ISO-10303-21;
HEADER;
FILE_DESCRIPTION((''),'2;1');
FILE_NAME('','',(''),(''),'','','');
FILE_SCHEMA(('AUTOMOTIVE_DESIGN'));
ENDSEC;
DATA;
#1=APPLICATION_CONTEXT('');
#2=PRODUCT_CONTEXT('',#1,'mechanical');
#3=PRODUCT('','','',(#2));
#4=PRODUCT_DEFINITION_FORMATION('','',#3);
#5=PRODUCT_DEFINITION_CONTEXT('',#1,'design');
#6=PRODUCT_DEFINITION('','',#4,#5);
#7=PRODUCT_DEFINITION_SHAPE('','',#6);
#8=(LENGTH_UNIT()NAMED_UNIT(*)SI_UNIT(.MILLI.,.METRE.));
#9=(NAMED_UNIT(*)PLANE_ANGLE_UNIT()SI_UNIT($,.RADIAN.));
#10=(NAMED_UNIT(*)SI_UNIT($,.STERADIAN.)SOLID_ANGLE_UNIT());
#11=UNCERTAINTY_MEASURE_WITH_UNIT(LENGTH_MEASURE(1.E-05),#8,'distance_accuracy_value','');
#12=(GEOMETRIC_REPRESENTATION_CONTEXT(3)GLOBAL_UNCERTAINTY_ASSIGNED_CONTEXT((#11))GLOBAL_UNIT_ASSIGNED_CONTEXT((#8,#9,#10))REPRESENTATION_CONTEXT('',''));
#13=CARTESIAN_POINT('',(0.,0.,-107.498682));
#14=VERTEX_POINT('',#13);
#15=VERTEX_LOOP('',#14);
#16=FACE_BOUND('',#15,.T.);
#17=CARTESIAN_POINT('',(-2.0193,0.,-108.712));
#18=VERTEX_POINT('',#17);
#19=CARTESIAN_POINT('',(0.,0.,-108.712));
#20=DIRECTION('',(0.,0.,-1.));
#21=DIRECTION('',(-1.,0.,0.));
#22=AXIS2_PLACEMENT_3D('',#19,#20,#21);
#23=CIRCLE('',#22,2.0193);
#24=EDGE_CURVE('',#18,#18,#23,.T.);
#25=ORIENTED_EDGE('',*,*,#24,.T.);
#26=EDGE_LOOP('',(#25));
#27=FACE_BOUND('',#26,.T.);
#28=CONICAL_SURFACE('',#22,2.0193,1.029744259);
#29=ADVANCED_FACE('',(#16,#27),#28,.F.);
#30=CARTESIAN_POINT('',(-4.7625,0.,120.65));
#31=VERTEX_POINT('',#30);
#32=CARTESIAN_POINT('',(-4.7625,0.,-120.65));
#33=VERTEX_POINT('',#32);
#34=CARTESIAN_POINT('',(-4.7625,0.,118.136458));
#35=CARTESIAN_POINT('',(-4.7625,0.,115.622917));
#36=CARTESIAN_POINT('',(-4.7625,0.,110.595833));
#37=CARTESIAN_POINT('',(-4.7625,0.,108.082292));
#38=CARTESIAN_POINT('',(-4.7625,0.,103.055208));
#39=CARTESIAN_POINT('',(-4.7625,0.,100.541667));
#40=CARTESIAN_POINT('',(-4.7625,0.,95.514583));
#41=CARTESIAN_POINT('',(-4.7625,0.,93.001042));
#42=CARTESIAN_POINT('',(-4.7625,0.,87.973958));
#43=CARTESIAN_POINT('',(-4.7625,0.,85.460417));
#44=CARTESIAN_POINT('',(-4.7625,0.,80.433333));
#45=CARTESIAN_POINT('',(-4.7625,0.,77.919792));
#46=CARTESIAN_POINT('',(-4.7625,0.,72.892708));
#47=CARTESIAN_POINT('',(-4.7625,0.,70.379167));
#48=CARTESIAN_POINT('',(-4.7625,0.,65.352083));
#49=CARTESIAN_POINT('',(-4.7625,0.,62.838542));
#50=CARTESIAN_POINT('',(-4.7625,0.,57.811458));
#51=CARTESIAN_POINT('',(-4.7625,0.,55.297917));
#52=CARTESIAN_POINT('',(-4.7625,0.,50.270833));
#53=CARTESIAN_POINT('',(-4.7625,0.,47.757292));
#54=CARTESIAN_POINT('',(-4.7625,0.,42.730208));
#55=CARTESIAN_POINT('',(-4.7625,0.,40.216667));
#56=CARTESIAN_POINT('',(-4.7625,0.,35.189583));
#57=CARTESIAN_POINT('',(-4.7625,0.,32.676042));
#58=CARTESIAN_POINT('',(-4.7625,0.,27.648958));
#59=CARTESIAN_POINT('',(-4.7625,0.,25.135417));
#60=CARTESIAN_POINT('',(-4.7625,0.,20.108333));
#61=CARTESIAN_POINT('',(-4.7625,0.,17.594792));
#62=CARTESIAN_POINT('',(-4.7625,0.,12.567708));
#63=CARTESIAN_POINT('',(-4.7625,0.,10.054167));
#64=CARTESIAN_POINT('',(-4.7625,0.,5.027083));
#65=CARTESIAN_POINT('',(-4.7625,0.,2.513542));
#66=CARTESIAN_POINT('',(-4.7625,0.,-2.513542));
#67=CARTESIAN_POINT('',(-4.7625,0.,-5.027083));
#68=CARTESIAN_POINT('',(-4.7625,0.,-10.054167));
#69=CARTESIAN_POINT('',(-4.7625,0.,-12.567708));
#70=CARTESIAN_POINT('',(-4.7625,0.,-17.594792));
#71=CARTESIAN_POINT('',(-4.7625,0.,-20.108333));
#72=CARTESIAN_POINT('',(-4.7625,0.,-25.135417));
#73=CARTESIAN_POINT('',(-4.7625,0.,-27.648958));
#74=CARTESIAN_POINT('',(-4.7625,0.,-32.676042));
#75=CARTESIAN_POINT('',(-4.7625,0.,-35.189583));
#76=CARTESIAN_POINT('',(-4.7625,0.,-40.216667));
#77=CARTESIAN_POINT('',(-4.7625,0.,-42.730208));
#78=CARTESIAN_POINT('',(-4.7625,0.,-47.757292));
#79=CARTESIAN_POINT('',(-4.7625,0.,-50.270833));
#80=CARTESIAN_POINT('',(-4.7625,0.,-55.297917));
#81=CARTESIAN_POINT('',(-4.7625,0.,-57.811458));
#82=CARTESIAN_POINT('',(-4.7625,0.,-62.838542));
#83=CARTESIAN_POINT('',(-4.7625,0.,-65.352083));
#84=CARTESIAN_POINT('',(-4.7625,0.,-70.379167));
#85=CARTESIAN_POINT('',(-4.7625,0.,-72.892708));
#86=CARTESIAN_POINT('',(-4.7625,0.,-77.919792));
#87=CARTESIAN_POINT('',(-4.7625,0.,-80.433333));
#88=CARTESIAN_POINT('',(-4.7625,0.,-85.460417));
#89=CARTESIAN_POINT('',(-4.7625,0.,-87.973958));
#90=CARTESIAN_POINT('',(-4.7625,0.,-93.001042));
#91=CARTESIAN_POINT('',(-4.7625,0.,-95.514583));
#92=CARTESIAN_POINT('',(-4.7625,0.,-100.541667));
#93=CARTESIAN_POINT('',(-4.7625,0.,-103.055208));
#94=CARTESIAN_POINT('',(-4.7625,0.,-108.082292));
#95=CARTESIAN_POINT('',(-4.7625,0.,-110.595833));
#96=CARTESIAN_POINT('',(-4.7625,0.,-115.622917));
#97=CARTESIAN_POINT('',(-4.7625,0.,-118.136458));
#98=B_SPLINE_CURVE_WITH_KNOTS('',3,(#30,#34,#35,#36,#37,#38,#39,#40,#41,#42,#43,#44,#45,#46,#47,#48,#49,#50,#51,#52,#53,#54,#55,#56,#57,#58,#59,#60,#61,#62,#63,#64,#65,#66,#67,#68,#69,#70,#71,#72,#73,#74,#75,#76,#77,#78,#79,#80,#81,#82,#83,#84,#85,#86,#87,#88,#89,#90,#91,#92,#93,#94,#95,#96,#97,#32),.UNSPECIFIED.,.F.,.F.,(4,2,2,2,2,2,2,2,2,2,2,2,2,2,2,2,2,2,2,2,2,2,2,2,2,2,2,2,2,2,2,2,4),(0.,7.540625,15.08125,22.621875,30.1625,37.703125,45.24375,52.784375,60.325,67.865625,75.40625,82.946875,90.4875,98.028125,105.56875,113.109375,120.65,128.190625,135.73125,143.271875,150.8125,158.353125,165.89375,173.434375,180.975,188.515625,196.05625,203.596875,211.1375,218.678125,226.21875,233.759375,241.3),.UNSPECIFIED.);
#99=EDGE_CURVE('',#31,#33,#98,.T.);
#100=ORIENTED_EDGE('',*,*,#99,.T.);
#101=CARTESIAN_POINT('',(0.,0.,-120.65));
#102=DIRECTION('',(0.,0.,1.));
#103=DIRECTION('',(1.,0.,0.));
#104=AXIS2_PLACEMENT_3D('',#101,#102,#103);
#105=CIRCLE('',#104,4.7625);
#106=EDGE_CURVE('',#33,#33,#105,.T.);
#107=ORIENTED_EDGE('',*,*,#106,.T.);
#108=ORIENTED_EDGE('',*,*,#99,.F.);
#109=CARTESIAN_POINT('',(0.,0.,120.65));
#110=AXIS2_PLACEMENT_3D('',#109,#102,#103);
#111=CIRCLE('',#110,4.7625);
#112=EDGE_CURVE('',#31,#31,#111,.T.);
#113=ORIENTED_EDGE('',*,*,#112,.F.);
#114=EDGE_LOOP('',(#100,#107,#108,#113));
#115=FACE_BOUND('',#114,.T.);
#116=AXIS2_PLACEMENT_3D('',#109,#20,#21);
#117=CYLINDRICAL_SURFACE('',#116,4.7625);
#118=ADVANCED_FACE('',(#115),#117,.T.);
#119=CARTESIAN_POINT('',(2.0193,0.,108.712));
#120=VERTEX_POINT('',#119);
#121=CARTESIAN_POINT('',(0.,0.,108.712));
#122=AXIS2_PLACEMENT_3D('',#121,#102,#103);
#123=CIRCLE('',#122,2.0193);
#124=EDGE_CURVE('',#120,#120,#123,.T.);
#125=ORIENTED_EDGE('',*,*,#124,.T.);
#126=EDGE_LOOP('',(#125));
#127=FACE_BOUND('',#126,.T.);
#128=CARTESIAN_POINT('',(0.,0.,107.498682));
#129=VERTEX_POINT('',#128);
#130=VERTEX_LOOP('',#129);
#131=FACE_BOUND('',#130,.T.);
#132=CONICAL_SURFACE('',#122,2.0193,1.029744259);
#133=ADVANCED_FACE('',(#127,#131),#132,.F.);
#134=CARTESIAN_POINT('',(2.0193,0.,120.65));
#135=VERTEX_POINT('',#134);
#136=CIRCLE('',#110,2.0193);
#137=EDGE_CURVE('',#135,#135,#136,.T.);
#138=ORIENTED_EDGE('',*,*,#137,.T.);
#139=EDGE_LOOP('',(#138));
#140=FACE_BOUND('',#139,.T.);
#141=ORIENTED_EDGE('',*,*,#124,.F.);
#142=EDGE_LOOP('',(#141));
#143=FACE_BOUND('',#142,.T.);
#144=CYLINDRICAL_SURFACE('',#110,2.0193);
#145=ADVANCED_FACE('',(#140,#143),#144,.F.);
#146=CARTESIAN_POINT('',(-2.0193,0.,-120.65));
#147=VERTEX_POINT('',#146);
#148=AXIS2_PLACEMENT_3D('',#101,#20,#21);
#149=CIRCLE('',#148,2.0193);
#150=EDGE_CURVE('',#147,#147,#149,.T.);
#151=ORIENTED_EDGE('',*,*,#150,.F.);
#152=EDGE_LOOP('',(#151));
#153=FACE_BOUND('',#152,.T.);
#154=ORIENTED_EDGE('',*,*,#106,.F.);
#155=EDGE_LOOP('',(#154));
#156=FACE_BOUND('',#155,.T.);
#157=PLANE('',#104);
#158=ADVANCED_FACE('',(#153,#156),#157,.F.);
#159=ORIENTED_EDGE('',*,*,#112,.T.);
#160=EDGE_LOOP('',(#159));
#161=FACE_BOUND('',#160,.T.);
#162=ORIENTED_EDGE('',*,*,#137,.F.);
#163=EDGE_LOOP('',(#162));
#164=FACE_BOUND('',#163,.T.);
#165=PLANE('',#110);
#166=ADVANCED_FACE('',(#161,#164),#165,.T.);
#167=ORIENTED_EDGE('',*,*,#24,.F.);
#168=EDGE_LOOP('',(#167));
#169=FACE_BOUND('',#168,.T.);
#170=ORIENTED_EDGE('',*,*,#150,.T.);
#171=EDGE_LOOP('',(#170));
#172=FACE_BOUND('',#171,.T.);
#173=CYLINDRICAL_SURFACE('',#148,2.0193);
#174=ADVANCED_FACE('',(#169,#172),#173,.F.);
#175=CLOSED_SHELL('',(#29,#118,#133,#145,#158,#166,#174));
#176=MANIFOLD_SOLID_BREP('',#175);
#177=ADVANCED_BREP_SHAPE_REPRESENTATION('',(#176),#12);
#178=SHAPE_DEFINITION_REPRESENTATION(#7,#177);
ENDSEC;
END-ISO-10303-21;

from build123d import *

# Parameters (mm, degrees)
SKETCH1_R                            = 4.7625
BOSS_EXTRUDE1_DEPTH                  = 120.65
F_10_32_TAPPED_HOLE1_D               = 4.0386
F_10_32_TAPPED_HOLE1_DEPTH           = 11.938
F_10_32_TAPPED_HOLE1_TIP             = 1.213317848
F_10_32_TAPPED_HOLE1_ON_FACE_2_D     = 4.0386
F_10_32_TAPPED_HOLE1_ON_FACE_2_DEPTH = 11.938
F_10_32_TAPPED_HOLE1_ON_FACE_2_TIP   = 1.213317848


with BuildPart() as part:
    # Sketch1 → Boss-Extrude1 (new, symmetric)
    with BuildSketch(Plane.XY):
        with Locations(Location((0, 0, 0), (0, 0, 180))):
            Circle(SKETCH1_R)
    extrude(amount=BOSS_EXTRUDE1_DEPTH, both=True)

    # #10-32 Tapped Hole1
    with Locations(Plane.XY.offset(120.65)):
        with Locations((0, 0)):
            Hole(F_10_32_TAPPED_HOLE1_D / 2, depth=F_10_32_TAPPED_HOLE1_DEPTH)
            with Locations((0, 0, -(F_10_32_TAPPED_HOLE1_DEPTH + F_10_32_TAPPED_HOLE1_TIP / 2))):  # 118° drill point
                Cone(0, F_10_32_TAPPED_HOLE1_D / 2, F_10_32_TAPPED_HOLE1_TIP, mode=Mode.SUBTRACT)

    # #10-32 Tapped Hole1 on face 2
    with Locations(Plane(origin=(0, 0, -120.65), x_dir=(-1, 0, 0), z_dir=(0, 0, -1))):
        with Locations((0, 0)):
            Hole(F_10_32_TAPPED_HOLE1_ON_FACE_2_D / 2, depth=F_10_32_TAPPED_HOLE1_ON_FACE_2_DEPTH)
            with Locations((0, 0, -(F_10_32_TAPPED_HOLE1_ON_FACE_2_DEPTH + F_10_32_TAPPED_HOLE1_ON_FACE_2_TIP / 2))):  # 118° drill point
                Cone(0, F_10_32_TAPPED_HOLE1_ON_FACE_2_D / 2, F_10_32_TAPPED_HOLE1_ON_FACE_2_TIP, mode=Mode.SUBTRACT)


solid = part.part
